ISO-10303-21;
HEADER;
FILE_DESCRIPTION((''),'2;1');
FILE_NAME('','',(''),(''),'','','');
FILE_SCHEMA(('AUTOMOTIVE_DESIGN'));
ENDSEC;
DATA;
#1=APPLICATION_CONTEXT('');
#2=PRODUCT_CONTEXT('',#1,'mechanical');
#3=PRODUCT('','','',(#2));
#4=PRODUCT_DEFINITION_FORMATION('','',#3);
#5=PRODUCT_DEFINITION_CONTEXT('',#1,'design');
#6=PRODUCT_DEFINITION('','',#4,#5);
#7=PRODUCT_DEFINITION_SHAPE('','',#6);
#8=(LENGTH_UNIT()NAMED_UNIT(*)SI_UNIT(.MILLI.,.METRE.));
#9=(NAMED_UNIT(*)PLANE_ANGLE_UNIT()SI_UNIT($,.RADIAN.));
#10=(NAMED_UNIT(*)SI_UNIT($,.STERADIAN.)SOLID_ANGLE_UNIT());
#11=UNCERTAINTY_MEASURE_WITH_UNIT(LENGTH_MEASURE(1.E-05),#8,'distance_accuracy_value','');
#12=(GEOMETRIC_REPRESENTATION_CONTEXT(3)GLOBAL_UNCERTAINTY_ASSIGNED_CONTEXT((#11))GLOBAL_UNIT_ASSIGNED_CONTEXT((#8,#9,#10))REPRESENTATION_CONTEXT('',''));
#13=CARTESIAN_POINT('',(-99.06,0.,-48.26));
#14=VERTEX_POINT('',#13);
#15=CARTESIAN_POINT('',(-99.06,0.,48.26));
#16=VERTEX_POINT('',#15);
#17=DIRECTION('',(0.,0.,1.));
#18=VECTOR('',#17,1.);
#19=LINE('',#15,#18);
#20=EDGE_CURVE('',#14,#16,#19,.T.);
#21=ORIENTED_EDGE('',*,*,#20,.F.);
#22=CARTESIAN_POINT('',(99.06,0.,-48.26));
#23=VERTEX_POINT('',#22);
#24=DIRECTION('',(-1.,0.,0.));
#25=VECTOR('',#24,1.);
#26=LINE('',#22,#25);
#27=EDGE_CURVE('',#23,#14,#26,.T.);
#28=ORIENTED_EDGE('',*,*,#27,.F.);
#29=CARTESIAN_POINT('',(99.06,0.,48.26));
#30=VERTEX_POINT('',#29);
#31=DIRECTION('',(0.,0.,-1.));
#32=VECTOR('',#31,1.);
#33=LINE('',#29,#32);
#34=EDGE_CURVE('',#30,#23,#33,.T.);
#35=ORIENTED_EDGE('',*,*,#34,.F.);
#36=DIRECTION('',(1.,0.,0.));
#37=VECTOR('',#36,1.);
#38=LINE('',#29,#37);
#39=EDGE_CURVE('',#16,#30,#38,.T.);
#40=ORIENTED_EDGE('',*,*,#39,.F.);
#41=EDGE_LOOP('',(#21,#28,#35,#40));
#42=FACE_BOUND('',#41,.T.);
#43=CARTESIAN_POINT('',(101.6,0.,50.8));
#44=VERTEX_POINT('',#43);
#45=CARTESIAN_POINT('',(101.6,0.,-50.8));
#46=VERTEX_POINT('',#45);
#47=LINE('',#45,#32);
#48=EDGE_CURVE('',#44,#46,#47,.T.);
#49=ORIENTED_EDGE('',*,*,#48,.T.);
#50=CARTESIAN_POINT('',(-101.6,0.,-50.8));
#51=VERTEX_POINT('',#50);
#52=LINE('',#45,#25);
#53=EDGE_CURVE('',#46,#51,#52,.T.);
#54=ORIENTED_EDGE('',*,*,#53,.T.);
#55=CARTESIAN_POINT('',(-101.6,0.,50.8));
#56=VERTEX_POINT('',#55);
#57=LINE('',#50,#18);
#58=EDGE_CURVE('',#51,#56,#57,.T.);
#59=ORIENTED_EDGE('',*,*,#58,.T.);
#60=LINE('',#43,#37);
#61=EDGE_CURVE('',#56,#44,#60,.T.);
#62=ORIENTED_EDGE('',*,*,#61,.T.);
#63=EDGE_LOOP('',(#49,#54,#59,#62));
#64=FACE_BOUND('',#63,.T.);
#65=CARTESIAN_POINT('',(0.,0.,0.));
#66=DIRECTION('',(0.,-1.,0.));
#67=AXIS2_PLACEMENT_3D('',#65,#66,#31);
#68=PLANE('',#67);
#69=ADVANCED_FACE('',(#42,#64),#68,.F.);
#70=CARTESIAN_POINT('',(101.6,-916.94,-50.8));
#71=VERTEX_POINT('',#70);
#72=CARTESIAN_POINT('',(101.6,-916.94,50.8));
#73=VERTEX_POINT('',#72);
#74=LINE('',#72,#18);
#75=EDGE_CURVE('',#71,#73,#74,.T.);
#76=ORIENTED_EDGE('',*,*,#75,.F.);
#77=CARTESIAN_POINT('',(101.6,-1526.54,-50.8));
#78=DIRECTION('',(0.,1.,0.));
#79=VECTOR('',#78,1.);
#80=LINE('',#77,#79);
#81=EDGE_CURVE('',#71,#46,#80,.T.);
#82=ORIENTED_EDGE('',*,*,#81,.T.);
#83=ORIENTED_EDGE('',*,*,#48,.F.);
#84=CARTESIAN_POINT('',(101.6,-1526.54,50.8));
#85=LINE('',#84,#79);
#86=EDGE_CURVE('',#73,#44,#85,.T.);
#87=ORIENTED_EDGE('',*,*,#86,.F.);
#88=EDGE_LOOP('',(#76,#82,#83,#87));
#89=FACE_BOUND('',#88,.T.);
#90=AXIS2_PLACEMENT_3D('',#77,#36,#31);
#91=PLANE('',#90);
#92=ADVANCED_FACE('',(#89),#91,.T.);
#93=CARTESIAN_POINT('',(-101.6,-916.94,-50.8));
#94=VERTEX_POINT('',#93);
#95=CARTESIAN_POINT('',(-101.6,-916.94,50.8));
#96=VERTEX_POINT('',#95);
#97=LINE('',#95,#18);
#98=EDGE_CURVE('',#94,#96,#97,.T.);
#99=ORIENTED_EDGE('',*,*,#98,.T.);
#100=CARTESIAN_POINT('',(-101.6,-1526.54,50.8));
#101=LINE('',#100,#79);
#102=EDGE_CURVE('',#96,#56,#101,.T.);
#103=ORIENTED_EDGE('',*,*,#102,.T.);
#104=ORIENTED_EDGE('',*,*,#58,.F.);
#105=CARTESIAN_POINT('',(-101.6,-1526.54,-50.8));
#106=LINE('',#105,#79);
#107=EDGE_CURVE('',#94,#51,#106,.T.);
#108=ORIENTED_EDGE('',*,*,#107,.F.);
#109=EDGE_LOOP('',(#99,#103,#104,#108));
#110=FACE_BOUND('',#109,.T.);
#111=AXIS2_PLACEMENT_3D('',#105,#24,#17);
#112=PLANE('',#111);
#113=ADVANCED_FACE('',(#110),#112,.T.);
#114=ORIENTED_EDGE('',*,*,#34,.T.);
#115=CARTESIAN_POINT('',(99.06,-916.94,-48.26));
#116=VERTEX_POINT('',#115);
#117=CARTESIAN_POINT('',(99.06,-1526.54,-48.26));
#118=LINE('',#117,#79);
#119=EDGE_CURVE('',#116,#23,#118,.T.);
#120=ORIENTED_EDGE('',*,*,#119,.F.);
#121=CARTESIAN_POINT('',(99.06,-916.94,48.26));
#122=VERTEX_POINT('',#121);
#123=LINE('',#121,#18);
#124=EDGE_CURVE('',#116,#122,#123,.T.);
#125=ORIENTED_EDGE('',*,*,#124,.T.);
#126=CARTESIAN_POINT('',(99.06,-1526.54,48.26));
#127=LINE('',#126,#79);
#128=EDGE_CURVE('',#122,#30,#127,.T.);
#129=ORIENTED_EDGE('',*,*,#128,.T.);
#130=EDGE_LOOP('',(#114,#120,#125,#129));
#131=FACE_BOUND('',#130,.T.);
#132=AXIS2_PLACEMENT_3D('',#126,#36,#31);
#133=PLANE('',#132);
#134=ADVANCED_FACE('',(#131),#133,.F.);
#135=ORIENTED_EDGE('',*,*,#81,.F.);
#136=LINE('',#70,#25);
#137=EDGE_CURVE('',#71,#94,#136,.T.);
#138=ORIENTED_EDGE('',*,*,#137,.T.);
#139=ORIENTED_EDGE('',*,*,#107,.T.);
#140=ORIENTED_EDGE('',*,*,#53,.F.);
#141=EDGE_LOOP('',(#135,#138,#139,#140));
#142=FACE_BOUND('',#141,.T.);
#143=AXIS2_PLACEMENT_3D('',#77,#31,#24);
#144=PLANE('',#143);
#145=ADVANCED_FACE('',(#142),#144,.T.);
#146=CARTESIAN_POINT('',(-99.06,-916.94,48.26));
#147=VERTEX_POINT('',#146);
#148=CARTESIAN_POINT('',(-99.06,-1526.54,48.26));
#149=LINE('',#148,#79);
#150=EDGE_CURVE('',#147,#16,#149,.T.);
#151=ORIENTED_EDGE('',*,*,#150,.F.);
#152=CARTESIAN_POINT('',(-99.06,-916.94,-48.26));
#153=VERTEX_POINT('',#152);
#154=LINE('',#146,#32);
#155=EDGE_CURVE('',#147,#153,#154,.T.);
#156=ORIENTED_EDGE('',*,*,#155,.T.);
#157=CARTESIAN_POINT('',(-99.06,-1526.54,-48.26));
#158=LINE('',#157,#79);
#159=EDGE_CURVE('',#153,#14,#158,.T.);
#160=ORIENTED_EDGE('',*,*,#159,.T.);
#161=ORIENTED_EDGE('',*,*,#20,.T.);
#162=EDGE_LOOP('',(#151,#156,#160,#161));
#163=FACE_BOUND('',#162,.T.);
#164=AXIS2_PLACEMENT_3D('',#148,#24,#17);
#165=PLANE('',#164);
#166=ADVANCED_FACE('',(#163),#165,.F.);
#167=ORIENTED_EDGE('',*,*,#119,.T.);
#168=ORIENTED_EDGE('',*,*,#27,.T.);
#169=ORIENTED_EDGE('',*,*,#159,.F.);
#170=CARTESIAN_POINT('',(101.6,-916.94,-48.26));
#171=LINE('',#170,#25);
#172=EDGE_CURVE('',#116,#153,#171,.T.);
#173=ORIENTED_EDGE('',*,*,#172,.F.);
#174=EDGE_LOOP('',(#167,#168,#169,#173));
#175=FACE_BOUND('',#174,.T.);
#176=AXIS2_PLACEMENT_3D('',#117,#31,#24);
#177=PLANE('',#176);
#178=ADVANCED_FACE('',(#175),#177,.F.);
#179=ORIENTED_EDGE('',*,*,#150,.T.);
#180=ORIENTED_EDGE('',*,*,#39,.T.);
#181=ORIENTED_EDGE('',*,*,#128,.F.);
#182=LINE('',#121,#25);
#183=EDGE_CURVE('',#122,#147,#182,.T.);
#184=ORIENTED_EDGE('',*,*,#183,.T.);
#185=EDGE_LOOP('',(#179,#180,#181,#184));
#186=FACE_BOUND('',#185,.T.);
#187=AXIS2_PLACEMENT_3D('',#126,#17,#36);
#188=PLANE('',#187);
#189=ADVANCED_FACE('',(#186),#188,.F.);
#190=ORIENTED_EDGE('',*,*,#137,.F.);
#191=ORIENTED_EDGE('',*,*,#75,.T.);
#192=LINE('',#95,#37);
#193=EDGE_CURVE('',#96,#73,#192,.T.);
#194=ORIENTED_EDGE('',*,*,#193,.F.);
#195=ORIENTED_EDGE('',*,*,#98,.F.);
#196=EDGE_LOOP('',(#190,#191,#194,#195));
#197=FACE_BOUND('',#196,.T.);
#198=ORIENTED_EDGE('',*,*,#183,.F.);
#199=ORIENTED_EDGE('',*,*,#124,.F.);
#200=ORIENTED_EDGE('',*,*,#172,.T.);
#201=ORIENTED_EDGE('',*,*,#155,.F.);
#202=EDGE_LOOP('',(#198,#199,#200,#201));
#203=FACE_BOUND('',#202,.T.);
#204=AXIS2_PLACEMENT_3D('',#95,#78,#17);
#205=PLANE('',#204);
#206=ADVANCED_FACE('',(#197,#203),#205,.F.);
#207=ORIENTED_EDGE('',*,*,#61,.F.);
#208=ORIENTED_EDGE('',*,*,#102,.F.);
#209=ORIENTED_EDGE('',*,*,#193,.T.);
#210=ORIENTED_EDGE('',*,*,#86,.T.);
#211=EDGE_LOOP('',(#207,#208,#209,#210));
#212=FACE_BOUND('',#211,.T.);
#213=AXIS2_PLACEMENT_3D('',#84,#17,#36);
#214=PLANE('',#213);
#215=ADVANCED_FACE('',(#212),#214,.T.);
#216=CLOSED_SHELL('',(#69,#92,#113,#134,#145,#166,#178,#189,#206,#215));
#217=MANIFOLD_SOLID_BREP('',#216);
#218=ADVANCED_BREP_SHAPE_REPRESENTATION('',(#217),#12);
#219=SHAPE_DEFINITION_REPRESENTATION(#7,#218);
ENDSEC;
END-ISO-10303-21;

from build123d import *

# Parameters (mm, degrees)
SKETCH1_W           = 203.2
SKETCH1_H           = 101.6
SKETCH1_W_2         = 198.12
SKETCH1_H_2         = 96.52
BOSS_EXTRUDE1_DEPTH = 1526.54
SKETCH2_W           = 99.06
SKETCH2_H           = 609.6
CUT_EXTRUDE1_DEPTH  = 1541.842383763
SKETCH3_W           = 203.2
SKETCH3_H           = 2.54
BOSS_EXTRUDE2_DEPTH = 101.6
CUT_EXTRUDE2_DEPTH  = 1541.928216109


with BuildPart() as part:
    # Sketch1 → Boss-Extrude1 (new body)
    with BuildSketch(Plane(origin=(0, 0, 0), x_dir=(1, 0, 0), z_dir=(0, 1, 0))):
        Rectangle(SKETCH1_W, SKETCH1_H)
        Rectangle(SKETCH1_W_2, SKETCH1_H_2, mode=Mode.SUBTRACT)
    extrude(amount=-BOSS_EXTRUDE1_DEPTH)

    # Sketch2 → Cut-Extrude1 (cut, through all)
    with BuildSketch(Plane(origin=(101.6, 0, 0), x_dir=(0, 0, -1), z_dir=(1, 0, 0))):
        with Locations((-1.27, -1221.74)):
            Rectangle(SKETCH2_W, SKETCH2_H)
    extrude(amount=-CUT_EXTRUDE1_DEPTH, mode=Mode.SUBTRACT)

    # Sketch3 → Boss-Extrude2 (add)
    with BuildSketch(Plane.XY.offset(-48.26)):
        with Locations((0, -1525.27)):
            Rectangle(SKETCH3_W, SKETCH3_H)
    extrude(amount=BOSS_EXTRUDE2_DEPTH)

    # Sketch4 → Cut-Extrude2 (cut, through all)
    with BuildSketch(Plane.ZY.offset(101.6)):
        Polygon((-48.26, -916.94), (-50.8, -916.94), (-50.8, -1526.54), (53.34, -1526.54), (53.34, -1524), (-48.26, -1524), align=None)
    extrude(amount=-CUT_EXTRUDE2_DEPTH, mode=Mode.SUBTRACT)


solid = part.part
